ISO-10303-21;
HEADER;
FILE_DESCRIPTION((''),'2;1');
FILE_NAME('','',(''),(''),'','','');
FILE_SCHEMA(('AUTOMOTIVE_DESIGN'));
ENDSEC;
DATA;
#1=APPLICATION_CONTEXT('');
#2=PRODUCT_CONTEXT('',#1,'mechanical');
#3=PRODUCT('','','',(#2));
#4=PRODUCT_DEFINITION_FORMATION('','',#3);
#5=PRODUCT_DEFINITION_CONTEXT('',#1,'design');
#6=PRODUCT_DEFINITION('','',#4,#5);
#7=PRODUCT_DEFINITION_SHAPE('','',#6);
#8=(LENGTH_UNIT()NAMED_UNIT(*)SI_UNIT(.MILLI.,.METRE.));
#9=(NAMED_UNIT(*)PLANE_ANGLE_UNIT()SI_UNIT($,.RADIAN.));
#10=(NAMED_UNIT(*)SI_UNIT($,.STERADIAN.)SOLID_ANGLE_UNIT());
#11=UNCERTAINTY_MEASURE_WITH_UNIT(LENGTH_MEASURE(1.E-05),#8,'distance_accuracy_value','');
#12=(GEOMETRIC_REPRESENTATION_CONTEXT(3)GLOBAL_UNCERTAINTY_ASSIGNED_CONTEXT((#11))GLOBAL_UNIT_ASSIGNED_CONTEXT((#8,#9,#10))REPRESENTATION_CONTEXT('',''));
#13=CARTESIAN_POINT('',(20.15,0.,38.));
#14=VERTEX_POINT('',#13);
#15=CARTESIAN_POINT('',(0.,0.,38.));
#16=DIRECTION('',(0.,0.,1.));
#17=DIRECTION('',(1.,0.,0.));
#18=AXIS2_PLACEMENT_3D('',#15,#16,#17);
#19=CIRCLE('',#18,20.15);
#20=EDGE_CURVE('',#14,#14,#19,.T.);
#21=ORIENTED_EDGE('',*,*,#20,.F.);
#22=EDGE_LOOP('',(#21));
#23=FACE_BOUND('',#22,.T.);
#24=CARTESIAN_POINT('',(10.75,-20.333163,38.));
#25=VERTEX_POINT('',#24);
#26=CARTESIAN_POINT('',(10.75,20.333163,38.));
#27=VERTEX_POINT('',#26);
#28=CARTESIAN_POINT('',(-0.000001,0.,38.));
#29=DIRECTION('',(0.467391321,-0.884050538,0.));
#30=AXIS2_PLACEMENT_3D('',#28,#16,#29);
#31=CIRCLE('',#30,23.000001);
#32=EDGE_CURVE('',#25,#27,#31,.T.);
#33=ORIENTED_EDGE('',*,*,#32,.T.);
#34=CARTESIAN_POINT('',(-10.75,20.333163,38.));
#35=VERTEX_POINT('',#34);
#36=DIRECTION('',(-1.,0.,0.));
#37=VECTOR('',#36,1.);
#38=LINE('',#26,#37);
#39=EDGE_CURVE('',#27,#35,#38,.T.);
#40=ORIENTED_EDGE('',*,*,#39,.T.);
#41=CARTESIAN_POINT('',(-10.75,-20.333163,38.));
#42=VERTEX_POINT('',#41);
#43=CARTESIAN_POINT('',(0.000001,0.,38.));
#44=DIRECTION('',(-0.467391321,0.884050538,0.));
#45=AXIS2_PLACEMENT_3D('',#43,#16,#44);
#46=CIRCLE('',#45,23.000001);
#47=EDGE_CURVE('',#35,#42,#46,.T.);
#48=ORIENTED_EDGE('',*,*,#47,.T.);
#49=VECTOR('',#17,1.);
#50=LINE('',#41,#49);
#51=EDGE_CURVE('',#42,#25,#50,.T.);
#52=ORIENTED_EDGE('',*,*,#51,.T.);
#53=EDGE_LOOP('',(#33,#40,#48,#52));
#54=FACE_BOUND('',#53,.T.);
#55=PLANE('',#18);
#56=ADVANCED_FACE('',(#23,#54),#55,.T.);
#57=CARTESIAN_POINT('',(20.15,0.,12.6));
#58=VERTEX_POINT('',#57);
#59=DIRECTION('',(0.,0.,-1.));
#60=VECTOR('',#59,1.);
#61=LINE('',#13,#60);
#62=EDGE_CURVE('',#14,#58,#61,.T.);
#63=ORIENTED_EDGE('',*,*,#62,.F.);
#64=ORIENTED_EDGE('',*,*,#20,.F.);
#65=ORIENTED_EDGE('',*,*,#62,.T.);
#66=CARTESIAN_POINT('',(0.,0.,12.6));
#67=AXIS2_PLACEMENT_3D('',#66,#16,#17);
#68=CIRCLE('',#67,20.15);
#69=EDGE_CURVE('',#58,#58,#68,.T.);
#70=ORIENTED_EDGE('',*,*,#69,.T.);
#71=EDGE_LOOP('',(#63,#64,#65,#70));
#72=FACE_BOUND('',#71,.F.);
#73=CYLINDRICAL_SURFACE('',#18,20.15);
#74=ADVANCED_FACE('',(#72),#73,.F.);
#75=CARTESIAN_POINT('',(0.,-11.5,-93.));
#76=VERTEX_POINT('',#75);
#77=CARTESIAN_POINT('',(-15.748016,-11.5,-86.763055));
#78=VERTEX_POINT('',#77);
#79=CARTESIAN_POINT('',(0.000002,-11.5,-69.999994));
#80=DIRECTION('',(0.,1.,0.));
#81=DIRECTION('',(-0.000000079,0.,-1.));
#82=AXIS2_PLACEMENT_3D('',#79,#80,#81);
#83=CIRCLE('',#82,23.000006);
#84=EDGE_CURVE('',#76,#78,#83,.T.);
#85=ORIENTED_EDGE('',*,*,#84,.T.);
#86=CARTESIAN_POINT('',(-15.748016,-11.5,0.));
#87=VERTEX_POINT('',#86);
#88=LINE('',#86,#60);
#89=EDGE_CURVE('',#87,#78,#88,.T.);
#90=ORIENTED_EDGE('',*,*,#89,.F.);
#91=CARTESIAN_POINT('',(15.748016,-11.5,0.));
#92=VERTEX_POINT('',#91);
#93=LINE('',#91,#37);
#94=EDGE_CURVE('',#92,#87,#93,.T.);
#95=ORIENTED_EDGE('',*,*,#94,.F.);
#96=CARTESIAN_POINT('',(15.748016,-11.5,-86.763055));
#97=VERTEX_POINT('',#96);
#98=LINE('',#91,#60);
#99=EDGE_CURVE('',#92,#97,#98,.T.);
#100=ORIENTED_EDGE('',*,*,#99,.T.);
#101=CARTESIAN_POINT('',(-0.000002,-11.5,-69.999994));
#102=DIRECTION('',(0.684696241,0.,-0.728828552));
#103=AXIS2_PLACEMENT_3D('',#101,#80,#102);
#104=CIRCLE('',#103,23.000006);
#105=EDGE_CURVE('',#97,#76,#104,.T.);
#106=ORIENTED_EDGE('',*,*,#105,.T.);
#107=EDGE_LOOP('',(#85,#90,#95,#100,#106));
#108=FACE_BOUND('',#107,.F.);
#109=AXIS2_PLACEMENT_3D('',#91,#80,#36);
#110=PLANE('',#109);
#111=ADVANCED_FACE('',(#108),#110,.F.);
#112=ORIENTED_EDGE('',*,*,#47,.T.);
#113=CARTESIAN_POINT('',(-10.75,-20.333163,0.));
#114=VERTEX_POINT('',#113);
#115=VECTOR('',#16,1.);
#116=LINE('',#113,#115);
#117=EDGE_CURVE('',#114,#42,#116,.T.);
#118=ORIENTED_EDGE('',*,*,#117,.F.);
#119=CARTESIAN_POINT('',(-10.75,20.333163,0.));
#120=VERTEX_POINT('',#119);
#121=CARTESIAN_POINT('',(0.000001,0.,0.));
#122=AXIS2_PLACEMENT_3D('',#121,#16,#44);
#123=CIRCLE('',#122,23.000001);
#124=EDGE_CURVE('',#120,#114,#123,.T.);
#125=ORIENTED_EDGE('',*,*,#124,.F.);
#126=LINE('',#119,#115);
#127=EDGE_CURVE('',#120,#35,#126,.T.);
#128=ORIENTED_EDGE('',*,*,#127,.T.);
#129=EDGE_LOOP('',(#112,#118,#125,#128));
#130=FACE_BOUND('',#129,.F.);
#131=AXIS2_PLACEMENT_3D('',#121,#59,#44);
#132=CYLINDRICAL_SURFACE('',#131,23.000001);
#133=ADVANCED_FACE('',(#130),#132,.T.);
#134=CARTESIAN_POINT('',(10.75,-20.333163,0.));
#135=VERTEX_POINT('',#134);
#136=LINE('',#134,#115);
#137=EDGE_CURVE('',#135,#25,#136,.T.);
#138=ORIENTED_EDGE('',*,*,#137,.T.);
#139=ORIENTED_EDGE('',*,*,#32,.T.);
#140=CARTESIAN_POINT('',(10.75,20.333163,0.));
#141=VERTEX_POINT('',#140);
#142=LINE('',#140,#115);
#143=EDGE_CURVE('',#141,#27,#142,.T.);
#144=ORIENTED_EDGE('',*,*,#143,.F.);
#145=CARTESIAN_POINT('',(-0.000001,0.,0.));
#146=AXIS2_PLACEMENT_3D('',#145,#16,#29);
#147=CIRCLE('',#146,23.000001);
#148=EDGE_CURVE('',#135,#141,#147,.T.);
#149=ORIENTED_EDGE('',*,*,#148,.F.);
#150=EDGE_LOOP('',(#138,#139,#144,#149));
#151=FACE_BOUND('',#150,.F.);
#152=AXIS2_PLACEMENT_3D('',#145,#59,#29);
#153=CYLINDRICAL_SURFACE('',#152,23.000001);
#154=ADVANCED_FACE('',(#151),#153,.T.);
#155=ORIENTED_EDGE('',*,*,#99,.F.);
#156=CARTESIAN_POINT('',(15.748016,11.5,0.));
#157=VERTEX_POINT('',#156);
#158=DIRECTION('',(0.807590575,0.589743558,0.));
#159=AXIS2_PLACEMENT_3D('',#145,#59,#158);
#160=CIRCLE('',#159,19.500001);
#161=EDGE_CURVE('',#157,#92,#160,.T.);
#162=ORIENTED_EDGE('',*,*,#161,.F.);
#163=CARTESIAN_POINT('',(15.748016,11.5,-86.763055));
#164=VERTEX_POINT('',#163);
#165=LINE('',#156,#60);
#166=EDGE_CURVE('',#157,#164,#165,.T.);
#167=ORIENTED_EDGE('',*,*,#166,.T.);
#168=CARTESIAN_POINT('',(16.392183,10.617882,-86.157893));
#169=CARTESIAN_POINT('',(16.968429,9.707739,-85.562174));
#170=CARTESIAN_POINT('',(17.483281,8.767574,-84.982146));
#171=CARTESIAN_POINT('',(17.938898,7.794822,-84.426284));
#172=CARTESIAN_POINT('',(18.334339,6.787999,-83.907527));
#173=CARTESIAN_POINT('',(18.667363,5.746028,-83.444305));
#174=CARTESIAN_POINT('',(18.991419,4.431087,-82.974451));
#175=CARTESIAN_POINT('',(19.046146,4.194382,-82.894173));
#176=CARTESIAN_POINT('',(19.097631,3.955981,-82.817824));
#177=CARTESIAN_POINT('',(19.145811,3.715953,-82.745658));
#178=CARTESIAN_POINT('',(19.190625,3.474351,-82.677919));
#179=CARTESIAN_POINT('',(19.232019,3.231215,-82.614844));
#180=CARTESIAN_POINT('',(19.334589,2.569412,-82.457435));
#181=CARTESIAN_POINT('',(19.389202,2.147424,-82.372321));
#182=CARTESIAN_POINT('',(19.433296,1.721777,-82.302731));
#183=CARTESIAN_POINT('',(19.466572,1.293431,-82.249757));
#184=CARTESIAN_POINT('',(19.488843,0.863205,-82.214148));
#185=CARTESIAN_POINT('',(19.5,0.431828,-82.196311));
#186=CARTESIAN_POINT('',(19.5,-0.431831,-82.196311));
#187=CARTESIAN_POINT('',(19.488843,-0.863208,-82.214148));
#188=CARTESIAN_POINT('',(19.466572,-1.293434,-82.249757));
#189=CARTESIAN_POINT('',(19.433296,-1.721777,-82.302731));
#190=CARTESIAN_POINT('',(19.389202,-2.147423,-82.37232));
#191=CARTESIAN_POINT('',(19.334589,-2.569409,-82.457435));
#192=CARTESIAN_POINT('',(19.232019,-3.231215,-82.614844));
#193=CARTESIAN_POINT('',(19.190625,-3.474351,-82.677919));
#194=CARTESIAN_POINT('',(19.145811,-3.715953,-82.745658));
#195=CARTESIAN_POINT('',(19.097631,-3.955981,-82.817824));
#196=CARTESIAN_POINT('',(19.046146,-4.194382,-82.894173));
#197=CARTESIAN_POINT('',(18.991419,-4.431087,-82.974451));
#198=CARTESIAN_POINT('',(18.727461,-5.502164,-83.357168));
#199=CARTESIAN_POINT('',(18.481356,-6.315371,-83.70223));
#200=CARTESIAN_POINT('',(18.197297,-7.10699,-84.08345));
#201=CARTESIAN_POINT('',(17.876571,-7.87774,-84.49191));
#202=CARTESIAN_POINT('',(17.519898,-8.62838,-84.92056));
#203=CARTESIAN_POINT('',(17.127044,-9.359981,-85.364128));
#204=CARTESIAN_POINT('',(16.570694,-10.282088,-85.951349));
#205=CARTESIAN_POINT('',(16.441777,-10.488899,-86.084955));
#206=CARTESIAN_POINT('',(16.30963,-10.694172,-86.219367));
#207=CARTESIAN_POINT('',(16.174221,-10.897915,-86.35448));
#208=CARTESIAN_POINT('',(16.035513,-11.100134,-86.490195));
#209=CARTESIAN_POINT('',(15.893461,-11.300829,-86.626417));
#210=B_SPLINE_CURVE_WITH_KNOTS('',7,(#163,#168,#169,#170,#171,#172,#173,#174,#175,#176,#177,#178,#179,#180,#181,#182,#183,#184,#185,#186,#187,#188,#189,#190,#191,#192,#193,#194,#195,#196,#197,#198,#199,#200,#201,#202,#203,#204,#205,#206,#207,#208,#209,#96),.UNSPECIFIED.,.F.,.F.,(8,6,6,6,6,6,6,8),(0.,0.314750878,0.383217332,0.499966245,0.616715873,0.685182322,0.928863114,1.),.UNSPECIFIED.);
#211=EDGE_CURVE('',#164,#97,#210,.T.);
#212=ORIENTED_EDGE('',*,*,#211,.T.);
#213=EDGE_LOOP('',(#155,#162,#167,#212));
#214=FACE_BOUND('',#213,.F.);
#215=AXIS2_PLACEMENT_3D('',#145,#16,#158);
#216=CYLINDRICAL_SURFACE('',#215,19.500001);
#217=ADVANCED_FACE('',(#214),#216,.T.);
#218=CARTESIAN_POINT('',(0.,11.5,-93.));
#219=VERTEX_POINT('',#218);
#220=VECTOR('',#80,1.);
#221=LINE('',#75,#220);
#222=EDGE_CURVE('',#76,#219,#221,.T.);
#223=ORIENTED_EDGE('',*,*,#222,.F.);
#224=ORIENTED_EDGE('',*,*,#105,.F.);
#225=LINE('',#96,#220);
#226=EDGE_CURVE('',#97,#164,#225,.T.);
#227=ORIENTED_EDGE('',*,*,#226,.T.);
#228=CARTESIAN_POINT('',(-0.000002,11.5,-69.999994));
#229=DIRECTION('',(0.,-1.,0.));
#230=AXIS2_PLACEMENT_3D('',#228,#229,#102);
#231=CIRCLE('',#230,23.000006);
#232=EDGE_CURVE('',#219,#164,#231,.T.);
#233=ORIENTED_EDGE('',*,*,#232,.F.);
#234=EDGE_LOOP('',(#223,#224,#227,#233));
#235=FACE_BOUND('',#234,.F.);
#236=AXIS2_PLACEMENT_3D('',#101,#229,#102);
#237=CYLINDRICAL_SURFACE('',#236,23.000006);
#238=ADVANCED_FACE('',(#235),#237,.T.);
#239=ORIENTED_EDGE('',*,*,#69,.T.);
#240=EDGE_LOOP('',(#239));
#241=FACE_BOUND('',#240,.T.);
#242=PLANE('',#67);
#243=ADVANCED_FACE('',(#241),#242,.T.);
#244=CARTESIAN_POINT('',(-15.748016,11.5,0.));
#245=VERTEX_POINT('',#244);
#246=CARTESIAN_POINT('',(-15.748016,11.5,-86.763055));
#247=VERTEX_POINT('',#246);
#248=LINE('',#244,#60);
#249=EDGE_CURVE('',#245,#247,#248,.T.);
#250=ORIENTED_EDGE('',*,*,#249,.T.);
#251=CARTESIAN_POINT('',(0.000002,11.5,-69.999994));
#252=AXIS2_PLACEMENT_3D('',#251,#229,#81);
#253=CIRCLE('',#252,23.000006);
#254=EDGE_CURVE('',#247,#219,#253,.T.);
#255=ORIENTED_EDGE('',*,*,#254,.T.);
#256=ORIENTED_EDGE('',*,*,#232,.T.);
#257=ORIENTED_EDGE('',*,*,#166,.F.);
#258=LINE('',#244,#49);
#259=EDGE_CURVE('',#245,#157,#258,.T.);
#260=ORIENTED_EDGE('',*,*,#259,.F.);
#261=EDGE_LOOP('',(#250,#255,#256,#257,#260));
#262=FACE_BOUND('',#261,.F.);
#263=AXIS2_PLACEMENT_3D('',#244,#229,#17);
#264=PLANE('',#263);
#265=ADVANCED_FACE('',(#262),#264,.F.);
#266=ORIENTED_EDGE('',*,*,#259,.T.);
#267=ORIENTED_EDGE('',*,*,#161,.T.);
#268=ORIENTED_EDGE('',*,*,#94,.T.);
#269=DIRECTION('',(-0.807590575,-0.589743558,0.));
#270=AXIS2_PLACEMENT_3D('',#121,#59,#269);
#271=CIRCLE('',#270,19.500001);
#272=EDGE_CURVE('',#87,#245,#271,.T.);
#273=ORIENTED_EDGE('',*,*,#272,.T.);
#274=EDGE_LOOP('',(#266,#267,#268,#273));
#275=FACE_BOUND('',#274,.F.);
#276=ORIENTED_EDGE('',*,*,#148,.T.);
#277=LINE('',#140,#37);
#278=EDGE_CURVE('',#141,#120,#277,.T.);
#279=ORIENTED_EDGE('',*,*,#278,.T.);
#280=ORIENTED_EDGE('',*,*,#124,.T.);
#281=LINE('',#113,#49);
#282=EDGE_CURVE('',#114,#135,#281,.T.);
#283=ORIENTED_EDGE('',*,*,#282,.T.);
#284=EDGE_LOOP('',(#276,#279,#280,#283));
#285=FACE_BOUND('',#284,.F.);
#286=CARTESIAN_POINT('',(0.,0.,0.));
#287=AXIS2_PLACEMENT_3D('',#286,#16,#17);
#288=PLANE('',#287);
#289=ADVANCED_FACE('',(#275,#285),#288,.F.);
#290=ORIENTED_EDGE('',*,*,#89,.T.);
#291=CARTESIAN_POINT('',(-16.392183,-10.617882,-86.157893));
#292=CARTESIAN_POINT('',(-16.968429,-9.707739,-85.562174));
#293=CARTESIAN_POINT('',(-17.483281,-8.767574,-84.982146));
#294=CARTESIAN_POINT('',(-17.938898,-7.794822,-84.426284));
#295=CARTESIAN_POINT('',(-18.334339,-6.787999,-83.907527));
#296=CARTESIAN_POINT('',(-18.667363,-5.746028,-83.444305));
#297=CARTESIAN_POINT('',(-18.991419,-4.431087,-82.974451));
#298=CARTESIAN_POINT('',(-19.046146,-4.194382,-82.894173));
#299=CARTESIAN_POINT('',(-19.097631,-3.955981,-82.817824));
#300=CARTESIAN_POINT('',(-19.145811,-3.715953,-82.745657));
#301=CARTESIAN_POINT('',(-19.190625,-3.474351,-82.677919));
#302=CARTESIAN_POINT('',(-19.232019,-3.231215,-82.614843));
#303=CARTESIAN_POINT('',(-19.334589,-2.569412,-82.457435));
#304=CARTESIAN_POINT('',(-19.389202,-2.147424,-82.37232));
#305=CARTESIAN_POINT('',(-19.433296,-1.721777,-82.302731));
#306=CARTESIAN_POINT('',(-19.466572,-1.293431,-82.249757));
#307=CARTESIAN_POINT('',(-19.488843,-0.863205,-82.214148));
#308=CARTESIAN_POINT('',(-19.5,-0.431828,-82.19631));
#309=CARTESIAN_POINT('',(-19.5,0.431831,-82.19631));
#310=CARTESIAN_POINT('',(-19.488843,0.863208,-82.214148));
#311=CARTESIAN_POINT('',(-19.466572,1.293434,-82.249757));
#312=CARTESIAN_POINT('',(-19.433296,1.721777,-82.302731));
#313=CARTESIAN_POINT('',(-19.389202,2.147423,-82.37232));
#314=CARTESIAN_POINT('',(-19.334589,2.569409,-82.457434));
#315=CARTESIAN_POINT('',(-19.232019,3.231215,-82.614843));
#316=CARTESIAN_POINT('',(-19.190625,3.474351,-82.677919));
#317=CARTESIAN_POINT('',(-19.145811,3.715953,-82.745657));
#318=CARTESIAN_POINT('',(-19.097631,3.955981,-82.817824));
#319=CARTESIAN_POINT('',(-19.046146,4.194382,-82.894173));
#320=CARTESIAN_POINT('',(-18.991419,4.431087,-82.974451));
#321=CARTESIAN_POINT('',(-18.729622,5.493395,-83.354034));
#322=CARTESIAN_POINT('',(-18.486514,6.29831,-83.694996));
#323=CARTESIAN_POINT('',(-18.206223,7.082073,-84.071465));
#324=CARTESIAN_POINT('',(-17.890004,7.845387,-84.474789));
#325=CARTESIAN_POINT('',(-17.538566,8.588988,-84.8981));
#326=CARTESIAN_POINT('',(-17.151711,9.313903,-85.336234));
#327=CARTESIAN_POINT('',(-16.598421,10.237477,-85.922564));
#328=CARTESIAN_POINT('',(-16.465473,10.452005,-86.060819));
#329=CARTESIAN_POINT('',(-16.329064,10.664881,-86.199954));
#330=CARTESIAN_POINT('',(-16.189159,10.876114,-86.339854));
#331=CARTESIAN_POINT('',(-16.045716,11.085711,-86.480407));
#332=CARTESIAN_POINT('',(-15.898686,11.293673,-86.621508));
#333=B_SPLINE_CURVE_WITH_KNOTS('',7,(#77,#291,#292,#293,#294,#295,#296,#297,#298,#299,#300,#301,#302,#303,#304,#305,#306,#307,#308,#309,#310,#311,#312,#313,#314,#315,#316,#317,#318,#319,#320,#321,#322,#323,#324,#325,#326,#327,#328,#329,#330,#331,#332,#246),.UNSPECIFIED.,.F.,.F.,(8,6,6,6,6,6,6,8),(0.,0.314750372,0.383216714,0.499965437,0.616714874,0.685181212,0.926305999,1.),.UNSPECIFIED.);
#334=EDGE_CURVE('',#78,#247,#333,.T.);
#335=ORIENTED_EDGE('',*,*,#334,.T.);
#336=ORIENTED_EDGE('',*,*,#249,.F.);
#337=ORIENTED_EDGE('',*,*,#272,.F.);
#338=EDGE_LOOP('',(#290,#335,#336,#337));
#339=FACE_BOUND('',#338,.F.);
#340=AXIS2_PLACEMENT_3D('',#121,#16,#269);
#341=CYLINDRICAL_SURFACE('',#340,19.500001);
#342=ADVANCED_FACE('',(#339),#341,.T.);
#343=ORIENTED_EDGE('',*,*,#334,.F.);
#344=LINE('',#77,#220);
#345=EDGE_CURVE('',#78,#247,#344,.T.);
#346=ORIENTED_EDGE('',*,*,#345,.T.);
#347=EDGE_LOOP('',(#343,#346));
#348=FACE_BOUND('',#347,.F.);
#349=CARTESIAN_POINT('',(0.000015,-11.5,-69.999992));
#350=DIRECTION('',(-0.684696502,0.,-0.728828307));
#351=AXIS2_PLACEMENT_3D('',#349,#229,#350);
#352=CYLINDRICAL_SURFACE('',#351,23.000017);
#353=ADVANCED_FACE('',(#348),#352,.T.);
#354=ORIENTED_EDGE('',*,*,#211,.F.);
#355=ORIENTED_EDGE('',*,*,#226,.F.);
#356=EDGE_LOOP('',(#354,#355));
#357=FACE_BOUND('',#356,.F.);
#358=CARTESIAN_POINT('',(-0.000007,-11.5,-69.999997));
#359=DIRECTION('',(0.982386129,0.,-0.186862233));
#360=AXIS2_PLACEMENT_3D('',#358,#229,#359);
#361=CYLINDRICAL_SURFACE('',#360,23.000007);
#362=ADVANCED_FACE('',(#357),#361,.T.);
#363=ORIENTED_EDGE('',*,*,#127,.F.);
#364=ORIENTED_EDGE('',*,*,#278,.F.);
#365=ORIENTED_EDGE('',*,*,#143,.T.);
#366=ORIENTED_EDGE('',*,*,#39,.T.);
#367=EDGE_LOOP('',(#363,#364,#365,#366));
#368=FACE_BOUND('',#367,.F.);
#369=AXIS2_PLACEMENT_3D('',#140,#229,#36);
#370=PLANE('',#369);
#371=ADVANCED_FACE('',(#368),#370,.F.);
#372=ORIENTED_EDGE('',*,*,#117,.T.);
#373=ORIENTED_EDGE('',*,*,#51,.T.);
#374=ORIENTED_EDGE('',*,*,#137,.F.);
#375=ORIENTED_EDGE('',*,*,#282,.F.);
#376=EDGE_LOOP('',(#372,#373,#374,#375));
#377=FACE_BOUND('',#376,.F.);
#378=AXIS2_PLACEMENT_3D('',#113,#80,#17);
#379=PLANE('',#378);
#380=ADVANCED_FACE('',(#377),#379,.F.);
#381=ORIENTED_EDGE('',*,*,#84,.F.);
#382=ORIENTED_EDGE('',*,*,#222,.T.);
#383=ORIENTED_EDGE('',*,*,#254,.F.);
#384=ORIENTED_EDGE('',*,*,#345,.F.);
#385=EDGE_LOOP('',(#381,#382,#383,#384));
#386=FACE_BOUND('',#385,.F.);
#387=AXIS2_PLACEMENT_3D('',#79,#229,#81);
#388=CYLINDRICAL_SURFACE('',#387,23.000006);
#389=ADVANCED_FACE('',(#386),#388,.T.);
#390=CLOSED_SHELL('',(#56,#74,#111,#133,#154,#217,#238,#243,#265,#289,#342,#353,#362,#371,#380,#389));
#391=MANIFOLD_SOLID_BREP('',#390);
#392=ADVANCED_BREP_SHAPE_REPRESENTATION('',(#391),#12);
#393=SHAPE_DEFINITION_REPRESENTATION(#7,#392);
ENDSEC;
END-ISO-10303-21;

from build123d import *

# Parameters (mm, degrees)
F1_DEPTH = 38
F2_R     = 20.15
F3_DEPTH = 25.4
F5_DEPTH = 93
F7_DEPTH = 31.834163


with BuildPart() as f1:
    # F0 (on Top) → F1 (new body)
    with BuildSketch(Plane.XY):
        with BuildLine():
            Line((10.75, 20.333163), (-10.75, 20.333163))
            ThreePointArc((-10.75, 20.333163), (-23, 0), (-10.75, -20.333163))
            Line((-10.75, -20.333163), (10.75, -20.333163))
            ThreePointArc((10.75, -20.333163), (23, 0), (10.75, 20.333163))
        make_face()
    extrude(amount=F1_DEPTH)

    # F2 (on face) → F3 (cut)
    with BuildSketch(Plane.XY.offset(38)):
        Circle(F2_R)
    extrude(amount=-F3_DEPTH, mode=Mode.SUBTRACT)

    # F4 (on face) → F5 (join)
    with BuildSketch(Plane(origin=(0, 0, 0), x_dir=(1, 0, 0), z_dir=(0, 0, -1))):
        with BuildLine():
            Line((15.748016, 11.5), (-15.748016, 11.5))
            ThreePointArc((-15.748016, 11.5), (-19.5, 0), (-15.748016, -11.5))
            Line((-15.748016, -11.5), (15.748016, -11.5))
            ThreePointArc((15.748016, -11.5), (19.5, 0), (15.748016, 11.5))
        make_face()
    extrude(amount=F5_DEPTH)

    # F6 (on face) → F7 (cut, through all)
    with BuildSketch(Plane.XZ.offset(11.5)):
        with BuildLine():
            ThreePointArc((-15.748016, -86.763055), (-19.645798, -81.960042), (-22.122635, -76.291981))
            Line((-22.122635, -76.291981), (-44.180881, -110.498317))
            Line((-44.180881, -110.498317), (51.086351, -107.824139))
            Line((51.086351, -107.824139), (22.594881, -74.29783))
            ThreePointArc((22.594881, -74.29783), (20.159114, -81.072945), (15.748016, -86.763055))
            Line((15.748016, -86.763055), (15.748016, -93))
            Line((15.748016, -93), (0, -93))
            Line((0, -93), (-15.748016, -93))
            Line((-15.748016, -93), (-15.748016, -86.763055))
        make_face()
        with BuildLine():
            ThreePointArc((15.748016, -86.763055), (8.469054, -91.383992), (0, -93))
            Line((0, -93), (15.748016, -93))
            Line((15.748016, -93), (15.748016, -86.763055))
        make_face()
        with BuildLine():
            ThreePointArc((0, -93), (-8.469054, -91.383992), (-15.748016, -86.763055))
            Line((-15.748016, -86.763055), (-15.748016, -93))
            Line((-15.748016, -93), (0, -93))
        make_face()
    extrude(amount=-F7_DEPTH, mode=Mode.SUBTRACT)


solid = f1.part
